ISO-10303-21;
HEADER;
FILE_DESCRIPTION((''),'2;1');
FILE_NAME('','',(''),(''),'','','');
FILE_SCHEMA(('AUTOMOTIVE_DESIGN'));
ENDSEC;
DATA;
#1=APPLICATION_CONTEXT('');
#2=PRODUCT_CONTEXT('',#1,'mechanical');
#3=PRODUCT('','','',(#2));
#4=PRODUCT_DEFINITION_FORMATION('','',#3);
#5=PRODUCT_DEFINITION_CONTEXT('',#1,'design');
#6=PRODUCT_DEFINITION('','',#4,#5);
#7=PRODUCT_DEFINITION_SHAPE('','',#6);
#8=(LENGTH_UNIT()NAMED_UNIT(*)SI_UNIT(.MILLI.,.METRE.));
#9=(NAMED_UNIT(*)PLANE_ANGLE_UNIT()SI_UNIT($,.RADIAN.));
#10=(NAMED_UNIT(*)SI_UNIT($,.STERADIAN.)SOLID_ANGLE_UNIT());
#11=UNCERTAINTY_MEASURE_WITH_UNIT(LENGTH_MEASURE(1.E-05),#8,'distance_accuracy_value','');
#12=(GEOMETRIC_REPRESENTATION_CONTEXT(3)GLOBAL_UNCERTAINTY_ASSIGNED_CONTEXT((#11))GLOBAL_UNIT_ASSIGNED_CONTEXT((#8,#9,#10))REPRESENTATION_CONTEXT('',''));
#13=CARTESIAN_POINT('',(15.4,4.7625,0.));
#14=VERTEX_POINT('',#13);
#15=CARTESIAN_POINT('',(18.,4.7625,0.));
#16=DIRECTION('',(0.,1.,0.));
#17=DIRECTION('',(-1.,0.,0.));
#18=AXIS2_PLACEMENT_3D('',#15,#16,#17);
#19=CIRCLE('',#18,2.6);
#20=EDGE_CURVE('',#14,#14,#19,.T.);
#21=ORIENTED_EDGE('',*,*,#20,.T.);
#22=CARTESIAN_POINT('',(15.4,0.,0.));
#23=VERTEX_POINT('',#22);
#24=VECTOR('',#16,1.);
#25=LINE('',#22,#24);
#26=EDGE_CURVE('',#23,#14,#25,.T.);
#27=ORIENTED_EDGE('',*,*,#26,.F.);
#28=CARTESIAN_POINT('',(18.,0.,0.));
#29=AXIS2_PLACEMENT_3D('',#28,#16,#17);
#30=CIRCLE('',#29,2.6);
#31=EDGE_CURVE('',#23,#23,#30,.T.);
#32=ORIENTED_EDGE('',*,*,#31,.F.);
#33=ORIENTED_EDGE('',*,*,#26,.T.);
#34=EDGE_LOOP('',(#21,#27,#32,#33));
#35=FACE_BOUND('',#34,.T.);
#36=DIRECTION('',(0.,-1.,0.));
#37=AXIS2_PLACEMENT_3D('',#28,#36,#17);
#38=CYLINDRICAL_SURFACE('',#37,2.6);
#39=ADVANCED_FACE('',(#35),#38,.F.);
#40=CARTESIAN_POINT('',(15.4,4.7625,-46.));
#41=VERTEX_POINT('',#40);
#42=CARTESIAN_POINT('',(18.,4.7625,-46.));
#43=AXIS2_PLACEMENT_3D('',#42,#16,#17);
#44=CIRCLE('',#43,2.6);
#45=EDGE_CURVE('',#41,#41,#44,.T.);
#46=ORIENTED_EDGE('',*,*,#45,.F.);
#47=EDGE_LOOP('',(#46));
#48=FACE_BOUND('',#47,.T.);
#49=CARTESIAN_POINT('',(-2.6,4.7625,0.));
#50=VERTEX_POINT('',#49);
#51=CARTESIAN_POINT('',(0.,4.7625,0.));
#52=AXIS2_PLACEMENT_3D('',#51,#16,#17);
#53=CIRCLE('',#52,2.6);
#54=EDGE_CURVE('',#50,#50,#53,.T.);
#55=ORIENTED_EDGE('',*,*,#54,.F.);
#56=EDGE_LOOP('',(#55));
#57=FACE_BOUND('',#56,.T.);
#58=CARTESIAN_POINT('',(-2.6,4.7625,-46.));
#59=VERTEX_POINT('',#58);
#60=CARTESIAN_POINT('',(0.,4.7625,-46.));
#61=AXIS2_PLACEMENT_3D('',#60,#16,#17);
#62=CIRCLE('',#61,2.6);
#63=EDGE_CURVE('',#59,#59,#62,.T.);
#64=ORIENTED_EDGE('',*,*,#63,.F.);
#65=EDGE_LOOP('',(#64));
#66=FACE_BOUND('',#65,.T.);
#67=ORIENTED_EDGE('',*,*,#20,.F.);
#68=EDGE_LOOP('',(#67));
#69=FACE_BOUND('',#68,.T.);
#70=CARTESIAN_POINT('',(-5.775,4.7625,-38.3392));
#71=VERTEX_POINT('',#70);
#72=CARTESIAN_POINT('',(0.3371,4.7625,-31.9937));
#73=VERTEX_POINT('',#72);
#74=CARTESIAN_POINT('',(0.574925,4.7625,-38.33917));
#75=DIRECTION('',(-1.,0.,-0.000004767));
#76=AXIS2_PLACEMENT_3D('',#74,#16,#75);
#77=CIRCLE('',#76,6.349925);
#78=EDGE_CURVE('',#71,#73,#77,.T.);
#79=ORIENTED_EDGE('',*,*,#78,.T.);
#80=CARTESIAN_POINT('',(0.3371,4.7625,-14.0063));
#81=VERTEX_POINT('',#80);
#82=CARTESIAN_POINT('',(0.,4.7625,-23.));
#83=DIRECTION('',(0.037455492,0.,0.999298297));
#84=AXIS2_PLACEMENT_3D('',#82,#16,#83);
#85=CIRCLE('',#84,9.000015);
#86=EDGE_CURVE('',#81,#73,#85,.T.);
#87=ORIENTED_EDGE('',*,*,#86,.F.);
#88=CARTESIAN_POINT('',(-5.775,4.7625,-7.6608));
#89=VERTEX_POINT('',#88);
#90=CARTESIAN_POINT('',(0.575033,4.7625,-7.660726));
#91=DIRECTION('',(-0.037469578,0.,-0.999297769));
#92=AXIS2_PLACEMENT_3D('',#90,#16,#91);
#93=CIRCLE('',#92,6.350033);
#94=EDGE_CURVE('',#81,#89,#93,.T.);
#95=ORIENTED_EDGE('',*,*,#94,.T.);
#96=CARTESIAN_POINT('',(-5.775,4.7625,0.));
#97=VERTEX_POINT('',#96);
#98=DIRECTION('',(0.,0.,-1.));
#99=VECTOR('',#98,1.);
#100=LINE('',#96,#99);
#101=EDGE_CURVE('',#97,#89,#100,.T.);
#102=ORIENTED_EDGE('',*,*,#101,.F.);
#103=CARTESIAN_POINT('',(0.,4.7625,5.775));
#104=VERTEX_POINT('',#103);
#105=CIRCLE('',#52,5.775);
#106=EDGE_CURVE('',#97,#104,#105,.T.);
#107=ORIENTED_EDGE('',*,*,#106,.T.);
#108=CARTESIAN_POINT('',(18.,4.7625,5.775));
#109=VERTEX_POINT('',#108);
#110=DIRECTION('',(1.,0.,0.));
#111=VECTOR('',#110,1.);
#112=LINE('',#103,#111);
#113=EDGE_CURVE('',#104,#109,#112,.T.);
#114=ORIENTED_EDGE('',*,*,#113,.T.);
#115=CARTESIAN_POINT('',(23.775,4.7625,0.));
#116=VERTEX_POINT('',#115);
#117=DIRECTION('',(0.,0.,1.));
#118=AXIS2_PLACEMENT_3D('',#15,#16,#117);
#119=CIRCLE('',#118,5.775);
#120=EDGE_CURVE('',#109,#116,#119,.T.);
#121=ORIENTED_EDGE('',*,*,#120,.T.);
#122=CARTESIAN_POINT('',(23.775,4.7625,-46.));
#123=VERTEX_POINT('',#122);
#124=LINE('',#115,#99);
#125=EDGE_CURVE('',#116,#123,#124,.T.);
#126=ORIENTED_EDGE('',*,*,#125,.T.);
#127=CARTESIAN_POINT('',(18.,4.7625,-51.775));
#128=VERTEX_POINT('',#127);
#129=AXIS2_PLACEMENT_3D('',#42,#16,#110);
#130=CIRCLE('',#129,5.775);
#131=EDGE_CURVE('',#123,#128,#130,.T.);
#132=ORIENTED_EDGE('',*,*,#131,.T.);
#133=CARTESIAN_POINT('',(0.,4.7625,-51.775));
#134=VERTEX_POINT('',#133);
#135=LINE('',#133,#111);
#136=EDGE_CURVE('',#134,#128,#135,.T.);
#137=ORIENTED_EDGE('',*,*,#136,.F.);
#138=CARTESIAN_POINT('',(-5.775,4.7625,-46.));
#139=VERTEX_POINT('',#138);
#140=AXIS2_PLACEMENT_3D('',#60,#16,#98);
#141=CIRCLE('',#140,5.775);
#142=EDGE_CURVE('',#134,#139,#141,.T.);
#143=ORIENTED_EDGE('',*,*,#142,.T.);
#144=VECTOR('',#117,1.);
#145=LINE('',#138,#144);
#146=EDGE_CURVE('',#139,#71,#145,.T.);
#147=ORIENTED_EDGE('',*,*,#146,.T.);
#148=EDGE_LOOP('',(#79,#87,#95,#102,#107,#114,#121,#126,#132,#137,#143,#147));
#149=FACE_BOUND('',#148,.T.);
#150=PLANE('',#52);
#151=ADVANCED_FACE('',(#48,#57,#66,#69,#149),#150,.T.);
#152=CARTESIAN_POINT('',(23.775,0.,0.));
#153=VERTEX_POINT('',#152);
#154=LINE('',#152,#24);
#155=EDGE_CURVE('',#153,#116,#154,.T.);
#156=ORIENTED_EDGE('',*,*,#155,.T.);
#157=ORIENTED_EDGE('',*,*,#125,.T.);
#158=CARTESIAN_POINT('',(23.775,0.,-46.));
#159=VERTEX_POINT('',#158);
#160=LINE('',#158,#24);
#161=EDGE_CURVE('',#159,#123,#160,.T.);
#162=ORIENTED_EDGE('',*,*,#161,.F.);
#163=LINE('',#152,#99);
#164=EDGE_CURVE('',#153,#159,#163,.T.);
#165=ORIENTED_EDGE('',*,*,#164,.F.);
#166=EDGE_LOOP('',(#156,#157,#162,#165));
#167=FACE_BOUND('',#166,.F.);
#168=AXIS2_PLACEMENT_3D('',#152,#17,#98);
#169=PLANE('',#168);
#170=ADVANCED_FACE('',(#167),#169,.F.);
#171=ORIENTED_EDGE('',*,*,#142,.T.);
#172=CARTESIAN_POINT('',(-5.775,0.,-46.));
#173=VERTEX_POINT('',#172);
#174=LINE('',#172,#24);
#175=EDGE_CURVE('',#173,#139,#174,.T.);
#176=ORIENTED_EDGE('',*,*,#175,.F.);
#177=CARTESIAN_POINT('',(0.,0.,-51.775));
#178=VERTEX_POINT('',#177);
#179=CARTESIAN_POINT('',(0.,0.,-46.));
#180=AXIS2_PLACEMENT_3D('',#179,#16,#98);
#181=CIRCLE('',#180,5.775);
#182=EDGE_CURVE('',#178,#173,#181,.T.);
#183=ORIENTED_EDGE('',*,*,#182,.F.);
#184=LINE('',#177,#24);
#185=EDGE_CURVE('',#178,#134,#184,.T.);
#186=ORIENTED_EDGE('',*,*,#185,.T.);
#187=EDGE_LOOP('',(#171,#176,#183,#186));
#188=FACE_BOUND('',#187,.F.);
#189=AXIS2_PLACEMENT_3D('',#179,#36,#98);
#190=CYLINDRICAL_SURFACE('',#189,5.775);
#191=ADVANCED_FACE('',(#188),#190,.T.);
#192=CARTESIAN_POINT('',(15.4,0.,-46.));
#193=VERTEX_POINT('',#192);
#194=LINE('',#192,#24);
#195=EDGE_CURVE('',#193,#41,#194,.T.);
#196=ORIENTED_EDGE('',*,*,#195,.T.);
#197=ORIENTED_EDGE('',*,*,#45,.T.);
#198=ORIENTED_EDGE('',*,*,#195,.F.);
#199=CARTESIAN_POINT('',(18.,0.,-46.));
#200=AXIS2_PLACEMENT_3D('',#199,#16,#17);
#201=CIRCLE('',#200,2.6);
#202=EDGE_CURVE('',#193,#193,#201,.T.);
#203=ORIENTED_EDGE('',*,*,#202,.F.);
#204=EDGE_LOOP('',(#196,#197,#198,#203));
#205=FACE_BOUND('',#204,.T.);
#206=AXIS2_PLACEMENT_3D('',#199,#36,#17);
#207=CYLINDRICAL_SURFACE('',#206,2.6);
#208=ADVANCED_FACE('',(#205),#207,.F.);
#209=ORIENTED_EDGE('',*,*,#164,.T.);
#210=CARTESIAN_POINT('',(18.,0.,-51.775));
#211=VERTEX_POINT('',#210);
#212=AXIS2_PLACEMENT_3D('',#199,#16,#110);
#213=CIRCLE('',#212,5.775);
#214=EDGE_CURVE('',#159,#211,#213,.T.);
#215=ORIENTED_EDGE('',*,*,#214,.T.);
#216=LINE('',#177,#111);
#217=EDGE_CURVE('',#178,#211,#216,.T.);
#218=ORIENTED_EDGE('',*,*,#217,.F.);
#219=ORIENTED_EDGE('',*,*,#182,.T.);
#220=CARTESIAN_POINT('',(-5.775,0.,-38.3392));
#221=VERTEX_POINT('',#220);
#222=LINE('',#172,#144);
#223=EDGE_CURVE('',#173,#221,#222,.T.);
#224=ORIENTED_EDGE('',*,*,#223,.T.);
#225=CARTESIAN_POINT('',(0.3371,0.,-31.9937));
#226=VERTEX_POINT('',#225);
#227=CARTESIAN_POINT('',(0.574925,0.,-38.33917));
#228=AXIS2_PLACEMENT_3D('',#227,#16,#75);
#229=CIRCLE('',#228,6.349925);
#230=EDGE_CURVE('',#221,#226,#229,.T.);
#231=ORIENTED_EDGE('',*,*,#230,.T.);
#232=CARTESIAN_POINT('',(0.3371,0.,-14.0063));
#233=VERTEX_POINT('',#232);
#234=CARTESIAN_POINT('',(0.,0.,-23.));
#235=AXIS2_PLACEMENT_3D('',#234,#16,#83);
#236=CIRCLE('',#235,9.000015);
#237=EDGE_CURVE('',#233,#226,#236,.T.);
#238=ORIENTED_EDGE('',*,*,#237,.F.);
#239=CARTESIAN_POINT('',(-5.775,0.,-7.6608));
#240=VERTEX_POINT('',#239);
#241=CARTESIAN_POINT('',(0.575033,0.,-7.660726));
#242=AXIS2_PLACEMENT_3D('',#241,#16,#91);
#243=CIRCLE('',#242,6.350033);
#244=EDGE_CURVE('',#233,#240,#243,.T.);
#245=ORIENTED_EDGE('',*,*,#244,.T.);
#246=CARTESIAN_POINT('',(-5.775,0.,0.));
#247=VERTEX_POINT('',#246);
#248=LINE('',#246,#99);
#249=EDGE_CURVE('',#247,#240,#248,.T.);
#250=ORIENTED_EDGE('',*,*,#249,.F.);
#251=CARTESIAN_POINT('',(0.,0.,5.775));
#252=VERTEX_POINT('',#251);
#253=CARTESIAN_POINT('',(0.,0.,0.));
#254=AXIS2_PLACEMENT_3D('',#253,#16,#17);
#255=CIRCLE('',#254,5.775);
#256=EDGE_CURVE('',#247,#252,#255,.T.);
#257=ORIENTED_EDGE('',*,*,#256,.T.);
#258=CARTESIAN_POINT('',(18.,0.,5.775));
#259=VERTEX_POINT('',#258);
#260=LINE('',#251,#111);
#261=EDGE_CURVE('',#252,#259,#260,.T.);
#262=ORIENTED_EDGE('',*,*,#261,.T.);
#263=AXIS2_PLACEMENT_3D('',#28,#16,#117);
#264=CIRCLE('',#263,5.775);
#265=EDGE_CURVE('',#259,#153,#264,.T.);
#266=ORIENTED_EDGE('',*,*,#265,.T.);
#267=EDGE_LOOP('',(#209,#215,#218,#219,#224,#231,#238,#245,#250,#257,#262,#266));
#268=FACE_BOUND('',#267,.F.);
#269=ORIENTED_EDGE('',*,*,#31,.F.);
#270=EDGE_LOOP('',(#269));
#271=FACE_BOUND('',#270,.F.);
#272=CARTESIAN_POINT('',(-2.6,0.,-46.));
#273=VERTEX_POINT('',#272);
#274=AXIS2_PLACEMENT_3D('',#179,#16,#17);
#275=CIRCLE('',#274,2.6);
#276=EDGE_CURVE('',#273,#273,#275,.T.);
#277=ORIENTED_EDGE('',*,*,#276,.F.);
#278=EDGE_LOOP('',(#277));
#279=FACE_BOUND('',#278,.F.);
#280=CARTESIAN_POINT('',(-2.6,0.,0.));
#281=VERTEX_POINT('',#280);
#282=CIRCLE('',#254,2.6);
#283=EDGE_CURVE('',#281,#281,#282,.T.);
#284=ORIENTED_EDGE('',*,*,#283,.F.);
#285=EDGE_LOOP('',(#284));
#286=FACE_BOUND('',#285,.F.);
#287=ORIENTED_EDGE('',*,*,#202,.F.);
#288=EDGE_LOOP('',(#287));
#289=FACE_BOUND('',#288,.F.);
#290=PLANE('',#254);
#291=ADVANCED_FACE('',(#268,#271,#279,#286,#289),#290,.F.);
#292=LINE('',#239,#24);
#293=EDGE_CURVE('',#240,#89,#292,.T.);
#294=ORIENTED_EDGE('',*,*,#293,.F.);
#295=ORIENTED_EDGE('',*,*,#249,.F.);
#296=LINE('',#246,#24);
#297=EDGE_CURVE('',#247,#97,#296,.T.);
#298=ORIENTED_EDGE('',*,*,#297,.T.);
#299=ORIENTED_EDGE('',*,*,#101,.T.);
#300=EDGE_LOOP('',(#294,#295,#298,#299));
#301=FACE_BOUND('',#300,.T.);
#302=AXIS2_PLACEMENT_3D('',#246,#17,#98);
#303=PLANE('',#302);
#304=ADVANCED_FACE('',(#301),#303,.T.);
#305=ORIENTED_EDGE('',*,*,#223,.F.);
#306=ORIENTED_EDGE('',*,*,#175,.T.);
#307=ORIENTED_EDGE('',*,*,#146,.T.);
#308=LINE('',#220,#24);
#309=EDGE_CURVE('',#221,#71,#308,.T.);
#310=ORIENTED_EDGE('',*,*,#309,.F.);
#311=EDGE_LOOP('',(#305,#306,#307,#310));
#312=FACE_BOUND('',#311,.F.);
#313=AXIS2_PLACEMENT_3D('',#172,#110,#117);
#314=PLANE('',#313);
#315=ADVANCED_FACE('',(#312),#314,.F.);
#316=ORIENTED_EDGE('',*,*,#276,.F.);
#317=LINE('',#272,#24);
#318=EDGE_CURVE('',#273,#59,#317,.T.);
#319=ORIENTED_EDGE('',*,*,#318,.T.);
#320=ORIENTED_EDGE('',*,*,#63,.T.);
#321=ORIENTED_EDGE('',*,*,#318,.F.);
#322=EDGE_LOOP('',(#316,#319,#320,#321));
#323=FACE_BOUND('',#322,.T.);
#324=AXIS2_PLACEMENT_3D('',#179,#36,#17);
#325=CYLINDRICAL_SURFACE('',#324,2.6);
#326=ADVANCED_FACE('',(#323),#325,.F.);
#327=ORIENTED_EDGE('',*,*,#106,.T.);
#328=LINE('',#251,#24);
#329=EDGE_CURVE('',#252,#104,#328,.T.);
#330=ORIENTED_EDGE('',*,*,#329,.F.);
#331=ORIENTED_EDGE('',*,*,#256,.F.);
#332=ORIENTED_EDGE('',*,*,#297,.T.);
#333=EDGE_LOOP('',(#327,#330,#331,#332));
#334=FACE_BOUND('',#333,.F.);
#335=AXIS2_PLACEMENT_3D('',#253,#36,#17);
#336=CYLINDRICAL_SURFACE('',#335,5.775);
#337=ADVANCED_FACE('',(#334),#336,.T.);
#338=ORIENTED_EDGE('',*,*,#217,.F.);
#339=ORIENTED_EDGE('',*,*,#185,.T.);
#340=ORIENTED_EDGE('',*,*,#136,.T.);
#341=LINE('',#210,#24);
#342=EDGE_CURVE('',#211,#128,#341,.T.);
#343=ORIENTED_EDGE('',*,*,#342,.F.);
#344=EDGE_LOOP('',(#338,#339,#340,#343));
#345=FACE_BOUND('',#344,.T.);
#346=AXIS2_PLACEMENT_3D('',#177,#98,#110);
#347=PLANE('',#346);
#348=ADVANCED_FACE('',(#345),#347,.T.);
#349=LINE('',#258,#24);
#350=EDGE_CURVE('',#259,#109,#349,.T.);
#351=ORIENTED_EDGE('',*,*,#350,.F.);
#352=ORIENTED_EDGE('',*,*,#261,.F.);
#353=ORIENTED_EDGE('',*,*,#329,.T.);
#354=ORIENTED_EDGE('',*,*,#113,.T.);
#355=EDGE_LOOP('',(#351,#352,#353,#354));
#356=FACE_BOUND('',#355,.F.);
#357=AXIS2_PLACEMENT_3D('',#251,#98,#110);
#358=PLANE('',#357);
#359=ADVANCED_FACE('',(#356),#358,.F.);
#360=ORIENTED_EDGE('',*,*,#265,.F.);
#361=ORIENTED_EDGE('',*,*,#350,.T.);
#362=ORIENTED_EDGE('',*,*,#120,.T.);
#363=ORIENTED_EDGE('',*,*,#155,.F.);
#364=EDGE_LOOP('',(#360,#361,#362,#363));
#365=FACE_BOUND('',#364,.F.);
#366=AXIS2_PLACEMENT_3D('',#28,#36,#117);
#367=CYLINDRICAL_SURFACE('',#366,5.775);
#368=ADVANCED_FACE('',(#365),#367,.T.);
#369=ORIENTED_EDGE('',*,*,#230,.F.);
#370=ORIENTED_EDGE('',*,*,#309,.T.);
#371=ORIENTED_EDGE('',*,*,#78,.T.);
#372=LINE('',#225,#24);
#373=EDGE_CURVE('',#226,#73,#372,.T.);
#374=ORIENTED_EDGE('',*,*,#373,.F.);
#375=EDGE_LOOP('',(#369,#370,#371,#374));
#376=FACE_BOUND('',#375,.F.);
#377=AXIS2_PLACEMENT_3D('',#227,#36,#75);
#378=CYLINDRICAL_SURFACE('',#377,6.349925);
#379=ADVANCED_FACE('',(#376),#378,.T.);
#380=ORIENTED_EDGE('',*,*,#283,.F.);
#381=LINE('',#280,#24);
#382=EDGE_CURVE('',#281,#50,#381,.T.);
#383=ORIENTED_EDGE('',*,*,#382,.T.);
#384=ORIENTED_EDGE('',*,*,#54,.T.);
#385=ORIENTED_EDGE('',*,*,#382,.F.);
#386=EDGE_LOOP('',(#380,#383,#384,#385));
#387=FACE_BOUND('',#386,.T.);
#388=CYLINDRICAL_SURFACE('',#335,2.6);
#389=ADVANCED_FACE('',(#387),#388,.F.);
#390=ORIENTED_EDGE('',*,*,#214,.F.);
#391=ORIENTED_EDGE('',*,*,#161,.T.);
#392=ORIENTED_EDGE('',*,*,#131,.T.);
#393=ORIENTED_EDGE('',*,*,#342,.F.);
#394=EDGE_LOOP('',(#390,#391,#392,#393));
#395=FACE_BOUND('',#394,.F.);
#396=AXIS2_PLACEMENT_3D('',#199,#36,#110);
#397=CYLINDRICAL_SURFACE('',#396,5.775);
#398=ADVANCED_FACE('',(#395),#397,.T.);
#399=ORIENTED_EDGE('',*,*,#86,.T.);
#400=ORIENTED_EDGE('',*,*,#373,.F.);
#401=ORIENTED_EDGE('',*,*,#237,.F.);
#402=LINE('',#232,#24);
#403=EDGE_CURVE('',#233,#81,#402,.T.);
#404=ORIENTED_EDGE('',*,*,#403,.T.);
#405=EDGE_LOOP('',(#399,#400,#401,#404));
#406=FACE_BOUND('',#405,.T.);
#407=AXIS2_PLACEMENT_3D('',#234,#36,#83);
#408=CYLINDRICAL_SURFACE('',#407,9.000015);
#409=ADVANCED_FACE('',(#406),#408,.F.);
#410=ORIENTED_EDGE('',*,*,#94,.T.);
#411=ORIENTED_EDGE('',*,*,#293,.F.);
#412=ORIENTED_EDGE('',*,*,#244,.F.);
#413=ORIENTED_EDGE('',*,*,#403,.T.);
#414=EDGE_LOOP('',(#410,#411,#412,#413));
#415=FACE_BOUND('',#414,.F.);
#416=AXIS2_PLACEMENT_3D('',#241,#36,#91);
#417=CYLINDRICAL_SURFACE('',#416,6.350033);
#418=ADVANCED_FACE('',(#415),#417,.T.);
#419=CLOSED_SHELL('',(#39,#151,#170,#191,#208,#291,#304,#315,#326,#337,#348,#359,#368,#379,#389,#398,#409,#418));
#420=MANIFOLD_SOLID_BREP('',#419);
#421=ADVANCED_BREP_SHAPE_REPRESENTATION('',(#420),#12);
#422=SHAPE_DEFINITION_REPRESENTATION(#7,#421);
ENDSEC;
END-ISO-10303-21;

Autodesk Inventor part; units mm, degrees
ref_plane "YZ Plane" through (0, 0, 0) normal (1, 0, 0) x (0, 1, 0)
ref_plane "XZ Plane" through (0, 0, 0) normal (0, 1, 0) x (-1, 0, 0)
ref_plane "XY Plane" through (0, 0, 0) normal (0, 0, 1) x (1, 0, 0)
sketch "Sketch1" plane through (0, 0, 0) normal (0, 1, 0) x (-1, 0, 0)
  circle A0 centre (0, 0) radius 2.6
  circle A1 centre (-18, 0) radius 2.6
  circle A2 centre (0, -46) radius 2.6
  circle A3 centre (-18, -46) radius 2.6
  circle A4 centre (0, -23) radius 9 construction
  circle A5 centre (0, 0) radius 5.775 construction
  circle A6 centre (0, -46) radius 5.775 construction
  circle A7 centre (-18, -46) radius 5.775 construction
  circle A8 centre (-18, 0) radius 5.775 construction
  line L0 (5.775, 0) -> (5.775, -7.6608)
  line L1 (5.775, -46) -> (5.775, -38.3392)
  arc A9 (5.775, -38.3392) -> (-0.3371, -31.9937) centre (-0.575, -38.3392) ccw
  arc A10 (-0.3371, -14.0063) -> (5.775, -7.6608) centre (-0.575, -7.6608) ccw
  arc A11 (-0.3371, -14.0063) -> (-0.3371, -31.9937) centre (0, -23) ccw
  line L2 (-23.775, 0) -> (-23.775, -46)
  line L3 (0, -51.775) -> (-18, -51.775)
  line L4 (0, 5.775) -> (-18, 5.775)
  arc A12 (5.775, 0) -> (0, 5.775) centre (0, 0) ccw
  arc A13 (-18, 5.775) -> (-23.775, 0) centre (-18, 0) ccw
  arc A14 (0, -51.775) -> (5.775, -46) centre (0, -46) ccw
  arc A15 (-23.775, -46) -> (-18, -51.775) centre (-18, -46) ccw
  dimension "d0" = 5.2
  dimension "d1" = 18
  dimension "d2" = 46
  dimension "d3" = 18
  dimension "d4" = 23
  dimension "d5" = 3.175
  dimension "d6" = 6.35
extrude "Extrusion1" add sketch "Sketch1" along normal blind 4.7625
equation "\"d4\" = 0.5 * d2"
properties part number "CNC-002-ShimStructureGusset2" material "ABS Plastic"
